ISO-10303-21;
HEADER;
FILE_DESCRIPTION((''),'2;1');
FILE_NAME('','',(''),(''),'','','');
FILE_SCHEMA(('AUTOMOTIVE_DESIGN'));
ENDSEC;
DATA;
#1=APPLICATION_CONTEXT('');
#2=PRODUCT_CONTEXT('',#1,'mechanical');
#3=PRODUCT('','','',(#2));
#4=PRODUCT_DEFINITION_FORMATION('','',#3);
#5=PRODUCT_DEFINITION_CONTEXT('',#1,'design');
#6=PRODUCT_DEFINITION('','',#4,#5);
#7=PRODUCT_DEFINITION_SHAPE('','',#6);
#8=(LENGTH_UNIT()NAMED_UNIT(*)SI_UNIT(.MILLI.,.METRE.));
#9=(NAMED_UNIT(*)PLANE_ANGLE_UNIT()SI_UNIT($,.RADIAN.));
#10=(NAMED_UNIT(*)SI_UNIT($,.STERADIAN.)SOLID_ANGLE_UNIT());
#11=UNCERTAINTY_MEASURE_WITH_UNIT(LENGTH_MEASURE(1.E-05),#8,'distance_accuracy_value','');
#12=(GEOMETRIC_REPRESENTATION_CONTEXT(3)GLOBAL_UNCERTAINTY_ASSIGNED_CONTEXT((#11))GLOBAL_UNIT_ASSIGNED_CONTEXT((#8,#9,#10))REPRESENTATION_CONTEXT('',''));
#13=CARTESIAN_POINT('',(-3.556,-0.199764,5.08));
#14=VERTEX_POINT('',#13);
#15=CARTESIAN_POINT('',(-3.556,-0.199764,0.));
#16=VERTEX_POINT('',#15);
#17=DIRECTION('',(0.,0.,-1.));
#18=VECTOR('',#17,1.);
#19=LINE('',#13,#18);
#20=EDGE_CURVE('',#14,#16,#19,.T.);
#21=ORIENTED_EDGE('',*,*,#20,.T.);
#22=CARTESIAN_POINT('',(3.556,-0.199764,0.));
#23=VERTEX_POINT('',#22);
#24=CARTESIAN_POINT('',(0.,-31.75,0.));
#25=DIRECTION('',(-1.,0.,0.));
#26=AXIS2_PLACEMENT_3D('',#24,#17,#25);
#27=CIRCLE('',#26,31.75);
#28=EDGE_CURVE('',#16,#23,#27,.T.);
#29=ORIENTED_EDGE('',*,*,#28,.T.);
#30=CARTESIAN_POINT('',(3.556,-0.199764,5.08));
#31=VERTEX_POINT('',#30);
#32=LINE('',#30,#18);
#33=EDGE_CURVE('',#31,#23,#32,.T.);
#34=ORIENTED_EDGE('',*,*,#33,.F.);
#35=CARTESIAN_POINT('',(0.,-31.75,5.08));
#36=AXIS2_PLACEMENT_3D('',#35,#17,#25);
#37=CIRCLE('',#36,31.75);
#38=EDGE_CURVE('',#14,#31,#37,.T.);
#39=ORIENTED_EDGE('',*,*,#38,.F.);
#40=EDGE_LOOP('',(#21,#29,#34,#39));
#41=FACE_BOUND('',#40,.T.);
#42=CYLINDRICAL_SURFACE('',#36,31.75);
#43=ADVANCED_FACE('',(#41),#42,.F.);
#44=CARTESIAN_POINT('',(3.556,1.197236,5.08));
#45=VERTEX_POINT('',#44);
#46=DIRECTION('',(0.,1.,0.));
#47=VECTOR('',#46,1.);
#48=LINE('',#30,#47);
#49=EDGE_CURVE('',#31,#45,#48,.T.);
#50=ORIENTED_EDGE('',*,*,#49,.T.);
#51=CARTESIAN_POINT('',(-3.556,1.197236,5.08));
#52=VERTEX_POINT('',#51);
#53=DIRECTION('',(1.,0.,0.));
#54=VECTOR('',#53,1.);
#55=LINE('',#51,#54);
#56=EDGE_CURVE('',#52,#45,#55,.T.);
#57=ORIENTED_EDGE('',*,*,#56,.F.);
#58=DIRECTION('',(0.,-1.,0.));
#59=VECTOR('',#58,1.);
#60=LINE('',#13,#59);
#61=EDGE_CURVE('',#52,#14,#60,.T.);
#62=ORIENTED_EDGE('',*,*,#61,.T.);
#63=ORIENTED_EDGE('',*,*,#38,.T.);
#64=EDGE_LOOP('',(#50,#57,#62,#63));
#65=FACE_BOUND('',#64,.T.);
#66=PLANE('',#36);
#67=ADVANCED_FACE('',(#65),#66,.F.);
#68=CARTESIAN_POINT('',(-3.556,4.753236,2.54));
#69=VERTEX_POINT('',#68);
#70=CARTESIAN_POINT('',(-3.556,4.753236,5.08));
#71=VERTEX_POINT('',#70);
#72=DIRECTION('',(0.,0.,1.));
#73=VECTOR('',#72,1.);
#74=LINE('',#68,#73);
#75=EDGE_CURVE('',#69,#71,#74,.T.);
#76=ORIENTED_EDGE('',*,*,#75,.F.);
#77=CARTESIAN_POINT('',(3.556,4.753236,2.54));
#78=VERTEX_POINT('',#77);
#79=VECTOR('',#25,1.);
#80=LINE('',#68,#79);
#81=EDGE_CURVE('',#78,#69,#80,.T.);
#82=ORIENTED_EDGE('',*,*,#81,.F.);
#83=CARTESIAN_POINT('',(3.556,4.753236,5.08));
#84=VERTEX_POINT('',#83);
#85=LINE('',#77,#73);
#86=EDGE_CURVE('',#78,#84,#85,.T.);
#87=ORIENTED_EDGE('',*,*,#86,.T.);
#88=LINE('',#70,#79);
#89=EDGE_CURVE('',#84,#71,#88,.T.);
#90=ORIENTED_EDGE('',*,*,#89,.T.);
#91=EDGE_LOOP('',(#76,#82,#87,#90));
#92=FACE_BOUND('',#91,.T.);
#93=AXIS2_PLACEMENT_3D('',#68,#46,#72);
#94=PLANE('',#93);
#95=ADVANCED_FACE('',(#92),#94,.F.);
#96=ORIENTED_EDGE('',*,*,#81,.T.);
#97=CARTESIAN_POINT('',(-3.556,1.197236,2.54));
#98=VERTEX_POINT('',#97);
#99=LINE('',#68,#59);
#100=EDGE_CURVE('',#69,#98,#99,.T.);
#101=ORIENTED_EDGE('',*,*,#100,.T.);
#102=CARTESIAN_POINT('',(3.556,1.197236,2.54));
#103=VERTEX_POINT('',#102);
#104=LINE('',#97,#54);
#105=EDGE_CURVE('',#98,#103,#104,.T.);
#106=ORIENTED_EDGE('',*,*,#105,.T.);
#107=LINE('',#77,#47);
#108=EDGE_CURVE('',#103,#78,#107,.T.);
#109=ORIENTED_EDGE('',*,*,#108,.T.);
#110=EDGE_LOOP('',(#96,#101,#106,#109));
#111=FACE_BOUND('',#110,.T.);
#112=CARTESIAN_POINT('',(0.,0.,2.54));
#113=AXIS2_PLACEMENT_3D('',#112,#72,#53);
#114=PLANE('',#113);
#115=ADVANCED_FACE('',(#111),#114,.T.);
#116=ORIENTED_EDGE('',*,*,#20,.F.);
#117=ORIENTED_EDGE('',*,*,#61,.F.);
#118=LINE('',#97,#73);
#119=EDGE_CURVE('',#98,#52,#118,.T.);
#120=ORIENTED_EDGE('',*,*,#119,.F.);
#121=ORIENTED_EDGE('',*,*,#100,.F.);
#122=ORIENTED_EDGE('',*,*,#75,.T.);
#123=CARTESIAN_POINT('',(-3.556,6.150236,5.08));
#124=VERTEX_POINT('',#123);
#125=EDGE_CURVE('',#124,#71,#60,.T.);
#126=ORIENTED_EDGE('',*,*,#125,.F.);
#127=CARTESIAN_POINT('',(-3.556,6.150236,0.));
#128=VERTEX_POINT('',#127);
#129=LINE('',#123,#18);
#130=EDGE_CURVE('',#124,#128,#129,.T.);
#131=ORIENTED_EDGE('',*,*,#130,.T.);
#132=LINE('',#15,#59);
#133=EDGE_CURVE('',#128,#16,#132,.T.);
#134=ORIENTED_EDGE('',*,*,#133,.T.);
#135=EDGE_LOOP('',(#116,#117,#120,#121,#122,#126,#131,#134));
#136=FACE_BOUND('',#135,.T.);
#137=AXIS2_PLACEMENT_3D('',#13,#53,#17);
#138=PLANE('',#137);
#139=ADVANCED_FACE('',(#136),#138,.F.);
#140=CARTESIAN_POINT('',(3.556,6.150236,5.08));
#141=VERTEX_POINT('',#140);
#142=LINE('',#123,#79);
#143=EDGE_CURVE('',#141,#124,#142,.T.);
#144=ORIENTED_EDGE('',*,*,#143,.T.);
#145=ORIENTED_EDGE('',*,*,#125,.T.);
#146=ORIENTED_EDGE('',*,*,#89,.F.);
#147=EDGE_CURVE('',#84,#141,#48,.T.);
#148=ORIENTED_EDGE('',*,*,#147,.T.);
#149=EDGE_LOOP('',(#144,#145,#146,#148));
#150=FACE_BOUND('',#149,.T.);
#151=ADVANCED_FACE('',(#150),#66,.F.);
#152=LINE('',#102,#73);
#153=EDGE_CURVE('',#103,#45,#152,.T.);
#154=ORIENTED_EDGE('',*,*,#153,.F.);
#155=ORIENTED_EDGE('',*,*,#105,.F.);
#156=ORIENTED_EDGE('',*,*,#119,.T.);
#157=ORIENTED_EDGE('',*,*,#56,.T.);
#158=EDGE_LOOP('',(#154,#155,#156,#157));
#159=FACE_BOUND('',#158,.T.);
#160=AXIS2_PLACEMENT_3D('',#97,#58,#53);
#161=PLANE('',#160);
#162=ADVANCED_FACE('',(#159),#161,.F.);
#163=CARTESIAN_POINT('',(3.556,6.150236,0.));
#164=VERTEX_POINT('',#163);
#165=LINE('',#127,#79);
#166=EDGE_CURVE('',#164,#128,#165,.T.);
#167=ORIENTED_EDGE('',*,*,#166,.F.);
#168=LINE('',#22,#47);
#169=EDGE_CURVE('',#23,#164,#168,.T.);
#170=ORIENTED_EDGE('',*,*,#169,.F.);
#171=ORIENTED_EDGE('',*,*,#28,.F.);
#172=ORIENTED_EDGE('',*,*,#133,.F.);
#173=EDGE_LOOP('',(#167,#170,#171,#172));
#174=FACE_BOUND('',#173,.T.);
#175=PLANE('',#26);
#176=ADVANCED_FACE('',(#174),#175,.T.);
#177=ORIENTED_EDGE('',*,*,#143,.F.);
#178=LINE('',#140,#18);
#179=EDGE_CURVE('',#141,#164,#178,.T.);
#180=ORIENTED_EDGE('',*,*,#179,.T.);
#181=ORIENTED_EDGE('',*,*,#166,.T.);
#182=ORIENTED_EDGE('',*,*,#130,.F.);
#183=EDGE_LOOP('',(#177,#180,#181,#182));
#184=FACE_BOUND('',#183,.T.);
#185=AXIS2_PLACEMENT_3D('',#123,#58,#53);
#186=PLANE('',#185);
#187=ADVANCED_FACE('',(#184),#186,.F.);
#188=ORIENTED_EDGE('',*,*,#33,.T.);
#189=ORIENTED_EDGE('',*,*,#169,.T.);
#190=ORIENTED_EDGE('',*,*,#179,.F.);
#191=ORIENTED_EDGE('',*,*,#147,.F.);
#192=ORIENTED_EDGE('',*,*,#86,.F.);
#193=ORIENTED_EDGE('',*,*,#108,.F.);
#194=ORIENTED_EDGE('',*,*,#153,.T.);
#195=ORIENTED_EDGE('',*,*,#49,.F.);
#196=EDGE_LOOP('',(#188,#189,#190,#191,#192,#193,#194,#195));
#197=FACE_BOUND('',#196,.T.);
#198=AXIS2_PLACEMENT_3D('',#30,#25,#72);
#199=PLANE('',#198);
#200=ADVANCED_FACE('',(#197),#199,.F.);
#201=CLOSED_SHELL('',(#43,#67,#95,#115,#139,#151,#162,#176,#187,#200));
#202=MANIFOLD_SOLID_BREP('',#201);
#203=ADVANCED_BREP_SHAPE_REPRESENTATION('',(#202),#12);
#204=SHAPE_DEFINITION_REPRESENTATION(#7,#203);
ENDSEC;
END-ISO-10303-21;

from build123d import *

# Parameters (mm, degrees)
BOSS_EXTRUDE1_DEPTH = 5.08
SKETCH2_W           = 7.112
SKETCH2_H           = 3.556
CUT_EXTRUDE1_DEPTH  = 2.54


with BuildPart() as part:
    # Sketch1 → Boss-Extrude1 (new body)
    with BuildSketch(Plane.XY):
        with BuildLine():
            Line((-3.556, -0.199764438), (-3.556, 6.150235562))
            Line((-3.556, 6.150235562), (3.556, 6.150235562))
            Line((3.556, 6.150235562), (3.556, -0.199764438))
            ThreePointArc((3.556, -0.199764438), (0, 0), (-3.556, -0.199764438))
        make_face()
    extrude(amount=BOSS_EXTRUDE1_DEPTH)

    # Sketch2 → Cut-Extrude1 (cut)
    with BuildSketch(Plane.XY.offset(5.08)):
        with Locations((0, 2.975235562)):
            Rectangle(SKETCH2_W, SKETCH2_H)
    extrude(amount=-CUT_EXTRUDE1_DEPTH, mode=Mode.SUBTRACT)


solid = part.part
